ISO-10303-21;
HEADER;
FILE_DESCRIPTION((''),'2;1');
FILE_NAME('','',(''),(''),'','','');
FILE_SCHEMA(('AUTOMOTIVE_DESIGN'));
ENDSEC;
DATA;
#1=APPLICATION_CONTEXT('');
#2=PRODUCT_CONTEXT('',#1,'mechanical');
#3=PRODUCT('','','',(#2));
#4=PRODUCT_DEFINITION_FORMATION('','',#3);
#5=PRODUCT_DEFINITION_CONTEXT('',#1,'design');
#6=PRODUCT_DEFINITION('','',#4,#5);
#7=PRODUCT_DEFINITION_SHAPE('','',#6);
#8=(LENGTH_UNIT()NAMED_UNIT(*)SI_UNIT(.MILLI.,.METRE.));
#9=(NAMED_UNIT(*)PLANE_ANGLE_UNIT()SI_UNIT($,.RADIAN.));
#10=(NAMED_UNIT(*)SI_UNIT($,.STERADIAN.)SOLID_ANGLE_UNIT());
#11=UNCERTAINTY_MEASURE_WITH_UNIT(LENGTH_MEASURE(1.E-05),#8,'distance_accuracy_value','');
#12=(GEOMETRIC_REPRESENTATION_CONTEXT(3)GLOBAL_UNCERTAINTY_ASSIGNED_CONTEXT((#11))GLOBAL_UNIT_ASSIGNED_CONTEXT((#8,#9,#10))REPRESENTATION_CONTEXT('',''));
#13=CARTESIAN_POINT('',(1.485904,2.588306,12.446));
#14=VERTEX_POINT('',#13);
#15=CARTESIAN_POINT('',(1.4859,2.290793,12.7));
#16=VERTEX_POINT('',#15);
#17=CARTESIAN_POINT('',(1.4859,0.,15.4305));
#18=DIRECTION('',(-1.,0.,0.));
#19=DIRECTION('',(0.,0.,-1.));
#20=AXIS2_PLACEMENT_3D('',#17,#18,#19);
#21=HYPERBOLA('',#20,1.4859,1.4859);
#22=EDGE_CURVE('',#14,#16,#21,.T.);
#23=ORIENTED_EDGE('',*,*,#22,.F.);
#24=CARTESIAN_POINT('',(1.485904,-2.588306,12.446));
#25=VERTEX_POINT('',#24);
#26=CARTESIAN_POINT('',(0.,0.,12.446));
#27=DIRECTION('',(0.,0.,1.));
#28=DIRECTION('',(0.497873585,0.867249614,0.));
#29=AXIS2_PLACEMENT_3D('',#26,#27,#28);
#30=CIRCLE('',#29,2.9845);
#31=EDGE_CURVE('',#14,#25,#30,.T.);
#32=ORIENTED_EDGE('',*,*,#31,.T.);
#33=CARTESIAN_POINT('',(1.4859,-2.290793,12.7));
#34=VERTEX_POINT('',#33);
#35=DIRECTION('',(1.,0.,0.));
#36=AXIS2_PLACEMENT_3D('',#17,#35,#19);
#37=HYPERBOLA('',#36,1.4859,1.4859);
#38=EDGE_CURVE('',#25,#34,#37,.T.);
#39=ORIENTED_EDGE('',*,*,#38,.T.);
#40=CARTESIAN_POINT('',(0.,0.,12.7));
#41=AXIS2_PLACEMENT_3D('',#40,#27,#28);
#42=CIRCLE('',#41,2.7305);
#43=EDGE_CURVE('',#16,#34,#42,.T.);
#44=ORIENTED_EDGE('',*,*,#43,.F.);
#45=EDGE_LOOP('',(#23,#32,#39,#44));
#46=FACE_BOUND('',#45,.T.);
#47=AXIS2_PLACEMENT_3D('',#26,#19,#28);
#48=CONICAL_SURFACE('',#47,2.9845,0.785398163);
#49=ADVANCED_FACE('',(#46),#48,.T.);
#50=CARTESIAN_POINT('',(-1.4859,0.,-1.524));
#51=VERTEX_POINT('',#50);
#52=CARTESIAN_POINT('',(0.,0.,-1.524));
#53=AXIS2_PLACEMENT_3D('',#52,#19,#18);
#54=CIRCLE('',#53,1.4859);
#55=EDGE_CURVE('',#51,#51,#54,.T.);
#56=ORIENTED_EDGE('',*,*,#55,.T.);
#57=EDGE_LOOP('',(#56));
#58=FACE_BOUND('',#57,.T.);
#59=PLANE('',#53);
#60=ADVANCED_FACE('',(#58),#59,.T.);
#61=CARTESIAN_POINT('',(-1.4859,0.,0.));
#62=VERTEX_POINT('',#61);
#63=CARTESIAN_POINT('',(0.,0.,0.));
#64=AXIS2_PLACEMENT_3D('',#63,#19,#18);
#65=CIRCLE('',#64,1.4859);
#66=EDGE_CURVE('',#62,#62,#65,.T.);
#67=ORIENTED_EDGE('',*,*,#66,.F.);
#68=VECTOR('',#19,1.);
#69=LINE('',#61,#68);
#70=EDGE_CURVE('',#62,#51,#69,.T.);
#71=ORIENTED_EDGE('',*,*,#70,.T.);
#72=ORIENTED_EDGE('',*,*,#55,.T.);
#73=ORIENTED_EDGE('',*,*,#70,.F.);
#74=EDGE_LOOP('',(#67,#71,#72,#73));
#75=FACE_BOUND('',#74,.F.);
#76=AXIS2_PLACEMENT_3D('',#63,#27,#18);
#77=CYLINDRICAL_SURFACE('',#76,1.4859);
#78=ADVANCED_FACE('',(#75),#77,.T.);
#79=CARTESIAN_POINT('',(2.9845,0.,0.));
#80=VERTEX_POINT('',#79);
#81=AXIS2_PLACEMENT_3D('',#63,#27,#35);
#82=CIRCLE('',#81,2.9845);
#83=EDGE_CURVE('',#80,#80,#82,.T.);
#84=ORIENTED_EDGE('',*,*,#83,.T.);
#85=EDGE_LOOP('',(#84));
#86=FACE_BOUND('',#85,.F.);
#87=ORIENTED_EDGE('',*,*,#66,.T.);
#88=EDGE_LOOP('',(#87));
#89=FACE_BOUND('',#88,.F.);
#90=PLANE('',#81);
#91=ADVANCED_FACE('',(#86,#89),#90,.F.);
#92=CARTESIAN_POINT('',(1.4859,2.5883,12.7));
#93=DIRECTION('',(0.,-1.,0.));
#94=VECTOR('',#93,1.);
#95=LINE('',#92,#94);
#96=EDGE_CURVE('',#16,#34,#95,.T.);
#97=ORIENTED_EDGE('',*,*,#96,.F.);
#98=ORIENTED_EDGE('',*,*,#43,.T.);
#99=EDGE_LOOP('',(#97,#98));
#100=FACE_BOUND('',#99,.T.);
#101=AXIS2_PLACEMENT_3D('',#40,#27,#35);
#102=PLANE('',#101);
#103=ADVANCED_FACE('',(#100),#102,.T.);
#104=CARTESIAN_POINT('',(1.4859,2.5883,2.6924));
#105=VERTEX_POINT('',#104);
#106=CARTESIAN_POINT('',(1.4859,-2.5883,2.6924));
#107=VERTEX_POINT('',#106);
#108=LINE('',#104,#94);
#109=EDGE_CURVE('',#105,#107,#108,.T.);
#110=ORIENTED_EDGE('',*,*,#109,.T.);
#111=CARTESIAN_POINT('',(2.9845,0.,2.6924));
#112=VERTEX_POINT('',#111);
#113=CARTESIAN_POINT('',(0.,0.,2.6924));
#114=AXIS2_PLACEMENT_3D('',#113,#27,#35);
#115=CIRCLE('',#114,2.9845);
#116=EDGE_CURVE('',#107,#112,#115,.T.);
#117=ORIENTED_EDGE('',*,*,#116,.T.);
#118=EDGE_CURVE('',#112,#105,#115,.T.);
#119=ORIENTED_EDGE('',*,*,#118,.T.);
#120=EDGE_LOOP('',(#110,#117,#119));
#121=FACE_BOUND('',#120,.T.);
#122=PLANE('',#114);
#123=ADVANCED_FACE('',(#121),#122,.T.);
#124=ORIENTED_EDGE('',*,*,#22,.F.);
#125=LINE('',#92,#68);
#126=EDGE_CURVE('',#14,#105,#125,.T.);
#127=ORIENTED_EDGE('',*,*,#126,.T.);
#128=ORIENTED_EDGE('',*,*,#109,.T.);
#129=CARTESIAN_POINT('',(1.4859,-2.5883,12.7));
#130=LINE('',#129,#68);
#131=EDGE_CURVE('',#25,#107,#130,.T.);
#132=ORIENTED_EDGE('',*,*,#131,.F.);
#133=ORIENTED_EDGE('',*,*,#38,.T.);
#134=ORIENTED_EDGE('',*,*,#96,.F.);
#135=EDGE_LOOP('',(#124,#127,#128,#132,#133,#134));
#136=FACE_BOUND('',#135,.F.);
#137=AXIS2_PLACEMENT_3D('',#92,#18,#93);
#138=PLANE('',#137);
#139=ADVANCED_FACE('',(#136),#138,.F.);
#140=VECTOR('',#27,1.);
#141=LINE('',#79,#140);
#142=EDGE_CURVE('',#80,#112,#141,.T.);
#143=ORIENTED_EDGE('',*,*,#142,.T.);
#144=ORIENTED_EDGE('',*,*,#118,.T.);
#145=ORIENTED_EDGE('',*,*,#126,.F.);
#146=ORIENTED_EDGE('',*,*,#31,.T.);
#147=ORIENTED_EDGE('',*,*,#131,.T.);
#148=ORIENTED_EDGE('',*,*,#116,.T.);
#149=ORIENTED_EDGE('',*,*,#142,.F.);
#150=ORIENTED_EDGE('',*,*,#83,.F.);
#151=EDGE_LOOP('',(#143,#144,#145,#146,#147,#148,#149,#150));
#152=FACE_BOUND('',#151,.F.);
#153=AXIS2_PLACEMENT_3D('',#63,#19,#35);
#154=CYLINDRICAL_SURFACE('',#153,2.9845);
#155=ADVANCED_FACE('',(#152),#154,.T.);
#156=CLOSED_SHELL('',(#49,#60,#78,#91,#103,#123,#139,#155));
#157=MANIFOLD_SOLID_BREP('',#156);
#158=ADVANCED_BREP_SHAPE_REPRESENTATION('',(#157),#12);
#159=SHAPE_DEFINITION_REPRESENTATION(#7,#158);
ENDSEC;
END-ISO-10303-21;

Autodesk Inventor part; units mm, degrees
ref_plane "YZ Plane" through (0, 0, 0) normal (1, 0, 0) x (0, 1, 0)
ref_plane "XZ Plane" through (0, 0, 0) normal (0, 1, 0) x (-1, 0, 0)
ref_plane "XY Plane" through (0, 0, 0) normal (0, 0, 1) x (1, 0, 0)
sketch "Sketch1" plane through (0, 0, 0) normal (0, 0, 1) x (1, 0, 0)
  circle A0 centre (0, 0) radius 2.9845
  dimension "d0" = 5.969
extrude "Extrusion1" add sketch "Sketch1" along normal blind 12.7
sketch "Sketch2" plane through (0, 0, 12.7) normal (0, 0, 1) x (1, 0, 0)
  circle A0 centre (0, 0) radius 2.9845 projected
  circle A1 centre (0, 0) radius 2.9845 projected
  line L0 (1.4859, 2.5883) -> (1.4859, -2.5883)
  dimension "d3" = 1.4859
extrude "Extrusion2" cut sketch "Sketch2" against normal blind 10.0076 contours A0 L0 picked at (1.9854, 0)
sketch "Sketch3" plane through (0, 0, 0) normal (0, 0, -1) x (-1, 0, 0)
  circle A0 centre (0, 0) radius 2.9845 projected
  circle A1 centre (0, 0) radius 1.4859
extrude "Extrusion3" add sketch "Sketch3" along normal blind 1.524 contours A1
chamfer "Chamfer1" distance 0.254 angle 45 1 edges at (-2.9845, 0, 12.7)
properties part number "shaft_encoder"
